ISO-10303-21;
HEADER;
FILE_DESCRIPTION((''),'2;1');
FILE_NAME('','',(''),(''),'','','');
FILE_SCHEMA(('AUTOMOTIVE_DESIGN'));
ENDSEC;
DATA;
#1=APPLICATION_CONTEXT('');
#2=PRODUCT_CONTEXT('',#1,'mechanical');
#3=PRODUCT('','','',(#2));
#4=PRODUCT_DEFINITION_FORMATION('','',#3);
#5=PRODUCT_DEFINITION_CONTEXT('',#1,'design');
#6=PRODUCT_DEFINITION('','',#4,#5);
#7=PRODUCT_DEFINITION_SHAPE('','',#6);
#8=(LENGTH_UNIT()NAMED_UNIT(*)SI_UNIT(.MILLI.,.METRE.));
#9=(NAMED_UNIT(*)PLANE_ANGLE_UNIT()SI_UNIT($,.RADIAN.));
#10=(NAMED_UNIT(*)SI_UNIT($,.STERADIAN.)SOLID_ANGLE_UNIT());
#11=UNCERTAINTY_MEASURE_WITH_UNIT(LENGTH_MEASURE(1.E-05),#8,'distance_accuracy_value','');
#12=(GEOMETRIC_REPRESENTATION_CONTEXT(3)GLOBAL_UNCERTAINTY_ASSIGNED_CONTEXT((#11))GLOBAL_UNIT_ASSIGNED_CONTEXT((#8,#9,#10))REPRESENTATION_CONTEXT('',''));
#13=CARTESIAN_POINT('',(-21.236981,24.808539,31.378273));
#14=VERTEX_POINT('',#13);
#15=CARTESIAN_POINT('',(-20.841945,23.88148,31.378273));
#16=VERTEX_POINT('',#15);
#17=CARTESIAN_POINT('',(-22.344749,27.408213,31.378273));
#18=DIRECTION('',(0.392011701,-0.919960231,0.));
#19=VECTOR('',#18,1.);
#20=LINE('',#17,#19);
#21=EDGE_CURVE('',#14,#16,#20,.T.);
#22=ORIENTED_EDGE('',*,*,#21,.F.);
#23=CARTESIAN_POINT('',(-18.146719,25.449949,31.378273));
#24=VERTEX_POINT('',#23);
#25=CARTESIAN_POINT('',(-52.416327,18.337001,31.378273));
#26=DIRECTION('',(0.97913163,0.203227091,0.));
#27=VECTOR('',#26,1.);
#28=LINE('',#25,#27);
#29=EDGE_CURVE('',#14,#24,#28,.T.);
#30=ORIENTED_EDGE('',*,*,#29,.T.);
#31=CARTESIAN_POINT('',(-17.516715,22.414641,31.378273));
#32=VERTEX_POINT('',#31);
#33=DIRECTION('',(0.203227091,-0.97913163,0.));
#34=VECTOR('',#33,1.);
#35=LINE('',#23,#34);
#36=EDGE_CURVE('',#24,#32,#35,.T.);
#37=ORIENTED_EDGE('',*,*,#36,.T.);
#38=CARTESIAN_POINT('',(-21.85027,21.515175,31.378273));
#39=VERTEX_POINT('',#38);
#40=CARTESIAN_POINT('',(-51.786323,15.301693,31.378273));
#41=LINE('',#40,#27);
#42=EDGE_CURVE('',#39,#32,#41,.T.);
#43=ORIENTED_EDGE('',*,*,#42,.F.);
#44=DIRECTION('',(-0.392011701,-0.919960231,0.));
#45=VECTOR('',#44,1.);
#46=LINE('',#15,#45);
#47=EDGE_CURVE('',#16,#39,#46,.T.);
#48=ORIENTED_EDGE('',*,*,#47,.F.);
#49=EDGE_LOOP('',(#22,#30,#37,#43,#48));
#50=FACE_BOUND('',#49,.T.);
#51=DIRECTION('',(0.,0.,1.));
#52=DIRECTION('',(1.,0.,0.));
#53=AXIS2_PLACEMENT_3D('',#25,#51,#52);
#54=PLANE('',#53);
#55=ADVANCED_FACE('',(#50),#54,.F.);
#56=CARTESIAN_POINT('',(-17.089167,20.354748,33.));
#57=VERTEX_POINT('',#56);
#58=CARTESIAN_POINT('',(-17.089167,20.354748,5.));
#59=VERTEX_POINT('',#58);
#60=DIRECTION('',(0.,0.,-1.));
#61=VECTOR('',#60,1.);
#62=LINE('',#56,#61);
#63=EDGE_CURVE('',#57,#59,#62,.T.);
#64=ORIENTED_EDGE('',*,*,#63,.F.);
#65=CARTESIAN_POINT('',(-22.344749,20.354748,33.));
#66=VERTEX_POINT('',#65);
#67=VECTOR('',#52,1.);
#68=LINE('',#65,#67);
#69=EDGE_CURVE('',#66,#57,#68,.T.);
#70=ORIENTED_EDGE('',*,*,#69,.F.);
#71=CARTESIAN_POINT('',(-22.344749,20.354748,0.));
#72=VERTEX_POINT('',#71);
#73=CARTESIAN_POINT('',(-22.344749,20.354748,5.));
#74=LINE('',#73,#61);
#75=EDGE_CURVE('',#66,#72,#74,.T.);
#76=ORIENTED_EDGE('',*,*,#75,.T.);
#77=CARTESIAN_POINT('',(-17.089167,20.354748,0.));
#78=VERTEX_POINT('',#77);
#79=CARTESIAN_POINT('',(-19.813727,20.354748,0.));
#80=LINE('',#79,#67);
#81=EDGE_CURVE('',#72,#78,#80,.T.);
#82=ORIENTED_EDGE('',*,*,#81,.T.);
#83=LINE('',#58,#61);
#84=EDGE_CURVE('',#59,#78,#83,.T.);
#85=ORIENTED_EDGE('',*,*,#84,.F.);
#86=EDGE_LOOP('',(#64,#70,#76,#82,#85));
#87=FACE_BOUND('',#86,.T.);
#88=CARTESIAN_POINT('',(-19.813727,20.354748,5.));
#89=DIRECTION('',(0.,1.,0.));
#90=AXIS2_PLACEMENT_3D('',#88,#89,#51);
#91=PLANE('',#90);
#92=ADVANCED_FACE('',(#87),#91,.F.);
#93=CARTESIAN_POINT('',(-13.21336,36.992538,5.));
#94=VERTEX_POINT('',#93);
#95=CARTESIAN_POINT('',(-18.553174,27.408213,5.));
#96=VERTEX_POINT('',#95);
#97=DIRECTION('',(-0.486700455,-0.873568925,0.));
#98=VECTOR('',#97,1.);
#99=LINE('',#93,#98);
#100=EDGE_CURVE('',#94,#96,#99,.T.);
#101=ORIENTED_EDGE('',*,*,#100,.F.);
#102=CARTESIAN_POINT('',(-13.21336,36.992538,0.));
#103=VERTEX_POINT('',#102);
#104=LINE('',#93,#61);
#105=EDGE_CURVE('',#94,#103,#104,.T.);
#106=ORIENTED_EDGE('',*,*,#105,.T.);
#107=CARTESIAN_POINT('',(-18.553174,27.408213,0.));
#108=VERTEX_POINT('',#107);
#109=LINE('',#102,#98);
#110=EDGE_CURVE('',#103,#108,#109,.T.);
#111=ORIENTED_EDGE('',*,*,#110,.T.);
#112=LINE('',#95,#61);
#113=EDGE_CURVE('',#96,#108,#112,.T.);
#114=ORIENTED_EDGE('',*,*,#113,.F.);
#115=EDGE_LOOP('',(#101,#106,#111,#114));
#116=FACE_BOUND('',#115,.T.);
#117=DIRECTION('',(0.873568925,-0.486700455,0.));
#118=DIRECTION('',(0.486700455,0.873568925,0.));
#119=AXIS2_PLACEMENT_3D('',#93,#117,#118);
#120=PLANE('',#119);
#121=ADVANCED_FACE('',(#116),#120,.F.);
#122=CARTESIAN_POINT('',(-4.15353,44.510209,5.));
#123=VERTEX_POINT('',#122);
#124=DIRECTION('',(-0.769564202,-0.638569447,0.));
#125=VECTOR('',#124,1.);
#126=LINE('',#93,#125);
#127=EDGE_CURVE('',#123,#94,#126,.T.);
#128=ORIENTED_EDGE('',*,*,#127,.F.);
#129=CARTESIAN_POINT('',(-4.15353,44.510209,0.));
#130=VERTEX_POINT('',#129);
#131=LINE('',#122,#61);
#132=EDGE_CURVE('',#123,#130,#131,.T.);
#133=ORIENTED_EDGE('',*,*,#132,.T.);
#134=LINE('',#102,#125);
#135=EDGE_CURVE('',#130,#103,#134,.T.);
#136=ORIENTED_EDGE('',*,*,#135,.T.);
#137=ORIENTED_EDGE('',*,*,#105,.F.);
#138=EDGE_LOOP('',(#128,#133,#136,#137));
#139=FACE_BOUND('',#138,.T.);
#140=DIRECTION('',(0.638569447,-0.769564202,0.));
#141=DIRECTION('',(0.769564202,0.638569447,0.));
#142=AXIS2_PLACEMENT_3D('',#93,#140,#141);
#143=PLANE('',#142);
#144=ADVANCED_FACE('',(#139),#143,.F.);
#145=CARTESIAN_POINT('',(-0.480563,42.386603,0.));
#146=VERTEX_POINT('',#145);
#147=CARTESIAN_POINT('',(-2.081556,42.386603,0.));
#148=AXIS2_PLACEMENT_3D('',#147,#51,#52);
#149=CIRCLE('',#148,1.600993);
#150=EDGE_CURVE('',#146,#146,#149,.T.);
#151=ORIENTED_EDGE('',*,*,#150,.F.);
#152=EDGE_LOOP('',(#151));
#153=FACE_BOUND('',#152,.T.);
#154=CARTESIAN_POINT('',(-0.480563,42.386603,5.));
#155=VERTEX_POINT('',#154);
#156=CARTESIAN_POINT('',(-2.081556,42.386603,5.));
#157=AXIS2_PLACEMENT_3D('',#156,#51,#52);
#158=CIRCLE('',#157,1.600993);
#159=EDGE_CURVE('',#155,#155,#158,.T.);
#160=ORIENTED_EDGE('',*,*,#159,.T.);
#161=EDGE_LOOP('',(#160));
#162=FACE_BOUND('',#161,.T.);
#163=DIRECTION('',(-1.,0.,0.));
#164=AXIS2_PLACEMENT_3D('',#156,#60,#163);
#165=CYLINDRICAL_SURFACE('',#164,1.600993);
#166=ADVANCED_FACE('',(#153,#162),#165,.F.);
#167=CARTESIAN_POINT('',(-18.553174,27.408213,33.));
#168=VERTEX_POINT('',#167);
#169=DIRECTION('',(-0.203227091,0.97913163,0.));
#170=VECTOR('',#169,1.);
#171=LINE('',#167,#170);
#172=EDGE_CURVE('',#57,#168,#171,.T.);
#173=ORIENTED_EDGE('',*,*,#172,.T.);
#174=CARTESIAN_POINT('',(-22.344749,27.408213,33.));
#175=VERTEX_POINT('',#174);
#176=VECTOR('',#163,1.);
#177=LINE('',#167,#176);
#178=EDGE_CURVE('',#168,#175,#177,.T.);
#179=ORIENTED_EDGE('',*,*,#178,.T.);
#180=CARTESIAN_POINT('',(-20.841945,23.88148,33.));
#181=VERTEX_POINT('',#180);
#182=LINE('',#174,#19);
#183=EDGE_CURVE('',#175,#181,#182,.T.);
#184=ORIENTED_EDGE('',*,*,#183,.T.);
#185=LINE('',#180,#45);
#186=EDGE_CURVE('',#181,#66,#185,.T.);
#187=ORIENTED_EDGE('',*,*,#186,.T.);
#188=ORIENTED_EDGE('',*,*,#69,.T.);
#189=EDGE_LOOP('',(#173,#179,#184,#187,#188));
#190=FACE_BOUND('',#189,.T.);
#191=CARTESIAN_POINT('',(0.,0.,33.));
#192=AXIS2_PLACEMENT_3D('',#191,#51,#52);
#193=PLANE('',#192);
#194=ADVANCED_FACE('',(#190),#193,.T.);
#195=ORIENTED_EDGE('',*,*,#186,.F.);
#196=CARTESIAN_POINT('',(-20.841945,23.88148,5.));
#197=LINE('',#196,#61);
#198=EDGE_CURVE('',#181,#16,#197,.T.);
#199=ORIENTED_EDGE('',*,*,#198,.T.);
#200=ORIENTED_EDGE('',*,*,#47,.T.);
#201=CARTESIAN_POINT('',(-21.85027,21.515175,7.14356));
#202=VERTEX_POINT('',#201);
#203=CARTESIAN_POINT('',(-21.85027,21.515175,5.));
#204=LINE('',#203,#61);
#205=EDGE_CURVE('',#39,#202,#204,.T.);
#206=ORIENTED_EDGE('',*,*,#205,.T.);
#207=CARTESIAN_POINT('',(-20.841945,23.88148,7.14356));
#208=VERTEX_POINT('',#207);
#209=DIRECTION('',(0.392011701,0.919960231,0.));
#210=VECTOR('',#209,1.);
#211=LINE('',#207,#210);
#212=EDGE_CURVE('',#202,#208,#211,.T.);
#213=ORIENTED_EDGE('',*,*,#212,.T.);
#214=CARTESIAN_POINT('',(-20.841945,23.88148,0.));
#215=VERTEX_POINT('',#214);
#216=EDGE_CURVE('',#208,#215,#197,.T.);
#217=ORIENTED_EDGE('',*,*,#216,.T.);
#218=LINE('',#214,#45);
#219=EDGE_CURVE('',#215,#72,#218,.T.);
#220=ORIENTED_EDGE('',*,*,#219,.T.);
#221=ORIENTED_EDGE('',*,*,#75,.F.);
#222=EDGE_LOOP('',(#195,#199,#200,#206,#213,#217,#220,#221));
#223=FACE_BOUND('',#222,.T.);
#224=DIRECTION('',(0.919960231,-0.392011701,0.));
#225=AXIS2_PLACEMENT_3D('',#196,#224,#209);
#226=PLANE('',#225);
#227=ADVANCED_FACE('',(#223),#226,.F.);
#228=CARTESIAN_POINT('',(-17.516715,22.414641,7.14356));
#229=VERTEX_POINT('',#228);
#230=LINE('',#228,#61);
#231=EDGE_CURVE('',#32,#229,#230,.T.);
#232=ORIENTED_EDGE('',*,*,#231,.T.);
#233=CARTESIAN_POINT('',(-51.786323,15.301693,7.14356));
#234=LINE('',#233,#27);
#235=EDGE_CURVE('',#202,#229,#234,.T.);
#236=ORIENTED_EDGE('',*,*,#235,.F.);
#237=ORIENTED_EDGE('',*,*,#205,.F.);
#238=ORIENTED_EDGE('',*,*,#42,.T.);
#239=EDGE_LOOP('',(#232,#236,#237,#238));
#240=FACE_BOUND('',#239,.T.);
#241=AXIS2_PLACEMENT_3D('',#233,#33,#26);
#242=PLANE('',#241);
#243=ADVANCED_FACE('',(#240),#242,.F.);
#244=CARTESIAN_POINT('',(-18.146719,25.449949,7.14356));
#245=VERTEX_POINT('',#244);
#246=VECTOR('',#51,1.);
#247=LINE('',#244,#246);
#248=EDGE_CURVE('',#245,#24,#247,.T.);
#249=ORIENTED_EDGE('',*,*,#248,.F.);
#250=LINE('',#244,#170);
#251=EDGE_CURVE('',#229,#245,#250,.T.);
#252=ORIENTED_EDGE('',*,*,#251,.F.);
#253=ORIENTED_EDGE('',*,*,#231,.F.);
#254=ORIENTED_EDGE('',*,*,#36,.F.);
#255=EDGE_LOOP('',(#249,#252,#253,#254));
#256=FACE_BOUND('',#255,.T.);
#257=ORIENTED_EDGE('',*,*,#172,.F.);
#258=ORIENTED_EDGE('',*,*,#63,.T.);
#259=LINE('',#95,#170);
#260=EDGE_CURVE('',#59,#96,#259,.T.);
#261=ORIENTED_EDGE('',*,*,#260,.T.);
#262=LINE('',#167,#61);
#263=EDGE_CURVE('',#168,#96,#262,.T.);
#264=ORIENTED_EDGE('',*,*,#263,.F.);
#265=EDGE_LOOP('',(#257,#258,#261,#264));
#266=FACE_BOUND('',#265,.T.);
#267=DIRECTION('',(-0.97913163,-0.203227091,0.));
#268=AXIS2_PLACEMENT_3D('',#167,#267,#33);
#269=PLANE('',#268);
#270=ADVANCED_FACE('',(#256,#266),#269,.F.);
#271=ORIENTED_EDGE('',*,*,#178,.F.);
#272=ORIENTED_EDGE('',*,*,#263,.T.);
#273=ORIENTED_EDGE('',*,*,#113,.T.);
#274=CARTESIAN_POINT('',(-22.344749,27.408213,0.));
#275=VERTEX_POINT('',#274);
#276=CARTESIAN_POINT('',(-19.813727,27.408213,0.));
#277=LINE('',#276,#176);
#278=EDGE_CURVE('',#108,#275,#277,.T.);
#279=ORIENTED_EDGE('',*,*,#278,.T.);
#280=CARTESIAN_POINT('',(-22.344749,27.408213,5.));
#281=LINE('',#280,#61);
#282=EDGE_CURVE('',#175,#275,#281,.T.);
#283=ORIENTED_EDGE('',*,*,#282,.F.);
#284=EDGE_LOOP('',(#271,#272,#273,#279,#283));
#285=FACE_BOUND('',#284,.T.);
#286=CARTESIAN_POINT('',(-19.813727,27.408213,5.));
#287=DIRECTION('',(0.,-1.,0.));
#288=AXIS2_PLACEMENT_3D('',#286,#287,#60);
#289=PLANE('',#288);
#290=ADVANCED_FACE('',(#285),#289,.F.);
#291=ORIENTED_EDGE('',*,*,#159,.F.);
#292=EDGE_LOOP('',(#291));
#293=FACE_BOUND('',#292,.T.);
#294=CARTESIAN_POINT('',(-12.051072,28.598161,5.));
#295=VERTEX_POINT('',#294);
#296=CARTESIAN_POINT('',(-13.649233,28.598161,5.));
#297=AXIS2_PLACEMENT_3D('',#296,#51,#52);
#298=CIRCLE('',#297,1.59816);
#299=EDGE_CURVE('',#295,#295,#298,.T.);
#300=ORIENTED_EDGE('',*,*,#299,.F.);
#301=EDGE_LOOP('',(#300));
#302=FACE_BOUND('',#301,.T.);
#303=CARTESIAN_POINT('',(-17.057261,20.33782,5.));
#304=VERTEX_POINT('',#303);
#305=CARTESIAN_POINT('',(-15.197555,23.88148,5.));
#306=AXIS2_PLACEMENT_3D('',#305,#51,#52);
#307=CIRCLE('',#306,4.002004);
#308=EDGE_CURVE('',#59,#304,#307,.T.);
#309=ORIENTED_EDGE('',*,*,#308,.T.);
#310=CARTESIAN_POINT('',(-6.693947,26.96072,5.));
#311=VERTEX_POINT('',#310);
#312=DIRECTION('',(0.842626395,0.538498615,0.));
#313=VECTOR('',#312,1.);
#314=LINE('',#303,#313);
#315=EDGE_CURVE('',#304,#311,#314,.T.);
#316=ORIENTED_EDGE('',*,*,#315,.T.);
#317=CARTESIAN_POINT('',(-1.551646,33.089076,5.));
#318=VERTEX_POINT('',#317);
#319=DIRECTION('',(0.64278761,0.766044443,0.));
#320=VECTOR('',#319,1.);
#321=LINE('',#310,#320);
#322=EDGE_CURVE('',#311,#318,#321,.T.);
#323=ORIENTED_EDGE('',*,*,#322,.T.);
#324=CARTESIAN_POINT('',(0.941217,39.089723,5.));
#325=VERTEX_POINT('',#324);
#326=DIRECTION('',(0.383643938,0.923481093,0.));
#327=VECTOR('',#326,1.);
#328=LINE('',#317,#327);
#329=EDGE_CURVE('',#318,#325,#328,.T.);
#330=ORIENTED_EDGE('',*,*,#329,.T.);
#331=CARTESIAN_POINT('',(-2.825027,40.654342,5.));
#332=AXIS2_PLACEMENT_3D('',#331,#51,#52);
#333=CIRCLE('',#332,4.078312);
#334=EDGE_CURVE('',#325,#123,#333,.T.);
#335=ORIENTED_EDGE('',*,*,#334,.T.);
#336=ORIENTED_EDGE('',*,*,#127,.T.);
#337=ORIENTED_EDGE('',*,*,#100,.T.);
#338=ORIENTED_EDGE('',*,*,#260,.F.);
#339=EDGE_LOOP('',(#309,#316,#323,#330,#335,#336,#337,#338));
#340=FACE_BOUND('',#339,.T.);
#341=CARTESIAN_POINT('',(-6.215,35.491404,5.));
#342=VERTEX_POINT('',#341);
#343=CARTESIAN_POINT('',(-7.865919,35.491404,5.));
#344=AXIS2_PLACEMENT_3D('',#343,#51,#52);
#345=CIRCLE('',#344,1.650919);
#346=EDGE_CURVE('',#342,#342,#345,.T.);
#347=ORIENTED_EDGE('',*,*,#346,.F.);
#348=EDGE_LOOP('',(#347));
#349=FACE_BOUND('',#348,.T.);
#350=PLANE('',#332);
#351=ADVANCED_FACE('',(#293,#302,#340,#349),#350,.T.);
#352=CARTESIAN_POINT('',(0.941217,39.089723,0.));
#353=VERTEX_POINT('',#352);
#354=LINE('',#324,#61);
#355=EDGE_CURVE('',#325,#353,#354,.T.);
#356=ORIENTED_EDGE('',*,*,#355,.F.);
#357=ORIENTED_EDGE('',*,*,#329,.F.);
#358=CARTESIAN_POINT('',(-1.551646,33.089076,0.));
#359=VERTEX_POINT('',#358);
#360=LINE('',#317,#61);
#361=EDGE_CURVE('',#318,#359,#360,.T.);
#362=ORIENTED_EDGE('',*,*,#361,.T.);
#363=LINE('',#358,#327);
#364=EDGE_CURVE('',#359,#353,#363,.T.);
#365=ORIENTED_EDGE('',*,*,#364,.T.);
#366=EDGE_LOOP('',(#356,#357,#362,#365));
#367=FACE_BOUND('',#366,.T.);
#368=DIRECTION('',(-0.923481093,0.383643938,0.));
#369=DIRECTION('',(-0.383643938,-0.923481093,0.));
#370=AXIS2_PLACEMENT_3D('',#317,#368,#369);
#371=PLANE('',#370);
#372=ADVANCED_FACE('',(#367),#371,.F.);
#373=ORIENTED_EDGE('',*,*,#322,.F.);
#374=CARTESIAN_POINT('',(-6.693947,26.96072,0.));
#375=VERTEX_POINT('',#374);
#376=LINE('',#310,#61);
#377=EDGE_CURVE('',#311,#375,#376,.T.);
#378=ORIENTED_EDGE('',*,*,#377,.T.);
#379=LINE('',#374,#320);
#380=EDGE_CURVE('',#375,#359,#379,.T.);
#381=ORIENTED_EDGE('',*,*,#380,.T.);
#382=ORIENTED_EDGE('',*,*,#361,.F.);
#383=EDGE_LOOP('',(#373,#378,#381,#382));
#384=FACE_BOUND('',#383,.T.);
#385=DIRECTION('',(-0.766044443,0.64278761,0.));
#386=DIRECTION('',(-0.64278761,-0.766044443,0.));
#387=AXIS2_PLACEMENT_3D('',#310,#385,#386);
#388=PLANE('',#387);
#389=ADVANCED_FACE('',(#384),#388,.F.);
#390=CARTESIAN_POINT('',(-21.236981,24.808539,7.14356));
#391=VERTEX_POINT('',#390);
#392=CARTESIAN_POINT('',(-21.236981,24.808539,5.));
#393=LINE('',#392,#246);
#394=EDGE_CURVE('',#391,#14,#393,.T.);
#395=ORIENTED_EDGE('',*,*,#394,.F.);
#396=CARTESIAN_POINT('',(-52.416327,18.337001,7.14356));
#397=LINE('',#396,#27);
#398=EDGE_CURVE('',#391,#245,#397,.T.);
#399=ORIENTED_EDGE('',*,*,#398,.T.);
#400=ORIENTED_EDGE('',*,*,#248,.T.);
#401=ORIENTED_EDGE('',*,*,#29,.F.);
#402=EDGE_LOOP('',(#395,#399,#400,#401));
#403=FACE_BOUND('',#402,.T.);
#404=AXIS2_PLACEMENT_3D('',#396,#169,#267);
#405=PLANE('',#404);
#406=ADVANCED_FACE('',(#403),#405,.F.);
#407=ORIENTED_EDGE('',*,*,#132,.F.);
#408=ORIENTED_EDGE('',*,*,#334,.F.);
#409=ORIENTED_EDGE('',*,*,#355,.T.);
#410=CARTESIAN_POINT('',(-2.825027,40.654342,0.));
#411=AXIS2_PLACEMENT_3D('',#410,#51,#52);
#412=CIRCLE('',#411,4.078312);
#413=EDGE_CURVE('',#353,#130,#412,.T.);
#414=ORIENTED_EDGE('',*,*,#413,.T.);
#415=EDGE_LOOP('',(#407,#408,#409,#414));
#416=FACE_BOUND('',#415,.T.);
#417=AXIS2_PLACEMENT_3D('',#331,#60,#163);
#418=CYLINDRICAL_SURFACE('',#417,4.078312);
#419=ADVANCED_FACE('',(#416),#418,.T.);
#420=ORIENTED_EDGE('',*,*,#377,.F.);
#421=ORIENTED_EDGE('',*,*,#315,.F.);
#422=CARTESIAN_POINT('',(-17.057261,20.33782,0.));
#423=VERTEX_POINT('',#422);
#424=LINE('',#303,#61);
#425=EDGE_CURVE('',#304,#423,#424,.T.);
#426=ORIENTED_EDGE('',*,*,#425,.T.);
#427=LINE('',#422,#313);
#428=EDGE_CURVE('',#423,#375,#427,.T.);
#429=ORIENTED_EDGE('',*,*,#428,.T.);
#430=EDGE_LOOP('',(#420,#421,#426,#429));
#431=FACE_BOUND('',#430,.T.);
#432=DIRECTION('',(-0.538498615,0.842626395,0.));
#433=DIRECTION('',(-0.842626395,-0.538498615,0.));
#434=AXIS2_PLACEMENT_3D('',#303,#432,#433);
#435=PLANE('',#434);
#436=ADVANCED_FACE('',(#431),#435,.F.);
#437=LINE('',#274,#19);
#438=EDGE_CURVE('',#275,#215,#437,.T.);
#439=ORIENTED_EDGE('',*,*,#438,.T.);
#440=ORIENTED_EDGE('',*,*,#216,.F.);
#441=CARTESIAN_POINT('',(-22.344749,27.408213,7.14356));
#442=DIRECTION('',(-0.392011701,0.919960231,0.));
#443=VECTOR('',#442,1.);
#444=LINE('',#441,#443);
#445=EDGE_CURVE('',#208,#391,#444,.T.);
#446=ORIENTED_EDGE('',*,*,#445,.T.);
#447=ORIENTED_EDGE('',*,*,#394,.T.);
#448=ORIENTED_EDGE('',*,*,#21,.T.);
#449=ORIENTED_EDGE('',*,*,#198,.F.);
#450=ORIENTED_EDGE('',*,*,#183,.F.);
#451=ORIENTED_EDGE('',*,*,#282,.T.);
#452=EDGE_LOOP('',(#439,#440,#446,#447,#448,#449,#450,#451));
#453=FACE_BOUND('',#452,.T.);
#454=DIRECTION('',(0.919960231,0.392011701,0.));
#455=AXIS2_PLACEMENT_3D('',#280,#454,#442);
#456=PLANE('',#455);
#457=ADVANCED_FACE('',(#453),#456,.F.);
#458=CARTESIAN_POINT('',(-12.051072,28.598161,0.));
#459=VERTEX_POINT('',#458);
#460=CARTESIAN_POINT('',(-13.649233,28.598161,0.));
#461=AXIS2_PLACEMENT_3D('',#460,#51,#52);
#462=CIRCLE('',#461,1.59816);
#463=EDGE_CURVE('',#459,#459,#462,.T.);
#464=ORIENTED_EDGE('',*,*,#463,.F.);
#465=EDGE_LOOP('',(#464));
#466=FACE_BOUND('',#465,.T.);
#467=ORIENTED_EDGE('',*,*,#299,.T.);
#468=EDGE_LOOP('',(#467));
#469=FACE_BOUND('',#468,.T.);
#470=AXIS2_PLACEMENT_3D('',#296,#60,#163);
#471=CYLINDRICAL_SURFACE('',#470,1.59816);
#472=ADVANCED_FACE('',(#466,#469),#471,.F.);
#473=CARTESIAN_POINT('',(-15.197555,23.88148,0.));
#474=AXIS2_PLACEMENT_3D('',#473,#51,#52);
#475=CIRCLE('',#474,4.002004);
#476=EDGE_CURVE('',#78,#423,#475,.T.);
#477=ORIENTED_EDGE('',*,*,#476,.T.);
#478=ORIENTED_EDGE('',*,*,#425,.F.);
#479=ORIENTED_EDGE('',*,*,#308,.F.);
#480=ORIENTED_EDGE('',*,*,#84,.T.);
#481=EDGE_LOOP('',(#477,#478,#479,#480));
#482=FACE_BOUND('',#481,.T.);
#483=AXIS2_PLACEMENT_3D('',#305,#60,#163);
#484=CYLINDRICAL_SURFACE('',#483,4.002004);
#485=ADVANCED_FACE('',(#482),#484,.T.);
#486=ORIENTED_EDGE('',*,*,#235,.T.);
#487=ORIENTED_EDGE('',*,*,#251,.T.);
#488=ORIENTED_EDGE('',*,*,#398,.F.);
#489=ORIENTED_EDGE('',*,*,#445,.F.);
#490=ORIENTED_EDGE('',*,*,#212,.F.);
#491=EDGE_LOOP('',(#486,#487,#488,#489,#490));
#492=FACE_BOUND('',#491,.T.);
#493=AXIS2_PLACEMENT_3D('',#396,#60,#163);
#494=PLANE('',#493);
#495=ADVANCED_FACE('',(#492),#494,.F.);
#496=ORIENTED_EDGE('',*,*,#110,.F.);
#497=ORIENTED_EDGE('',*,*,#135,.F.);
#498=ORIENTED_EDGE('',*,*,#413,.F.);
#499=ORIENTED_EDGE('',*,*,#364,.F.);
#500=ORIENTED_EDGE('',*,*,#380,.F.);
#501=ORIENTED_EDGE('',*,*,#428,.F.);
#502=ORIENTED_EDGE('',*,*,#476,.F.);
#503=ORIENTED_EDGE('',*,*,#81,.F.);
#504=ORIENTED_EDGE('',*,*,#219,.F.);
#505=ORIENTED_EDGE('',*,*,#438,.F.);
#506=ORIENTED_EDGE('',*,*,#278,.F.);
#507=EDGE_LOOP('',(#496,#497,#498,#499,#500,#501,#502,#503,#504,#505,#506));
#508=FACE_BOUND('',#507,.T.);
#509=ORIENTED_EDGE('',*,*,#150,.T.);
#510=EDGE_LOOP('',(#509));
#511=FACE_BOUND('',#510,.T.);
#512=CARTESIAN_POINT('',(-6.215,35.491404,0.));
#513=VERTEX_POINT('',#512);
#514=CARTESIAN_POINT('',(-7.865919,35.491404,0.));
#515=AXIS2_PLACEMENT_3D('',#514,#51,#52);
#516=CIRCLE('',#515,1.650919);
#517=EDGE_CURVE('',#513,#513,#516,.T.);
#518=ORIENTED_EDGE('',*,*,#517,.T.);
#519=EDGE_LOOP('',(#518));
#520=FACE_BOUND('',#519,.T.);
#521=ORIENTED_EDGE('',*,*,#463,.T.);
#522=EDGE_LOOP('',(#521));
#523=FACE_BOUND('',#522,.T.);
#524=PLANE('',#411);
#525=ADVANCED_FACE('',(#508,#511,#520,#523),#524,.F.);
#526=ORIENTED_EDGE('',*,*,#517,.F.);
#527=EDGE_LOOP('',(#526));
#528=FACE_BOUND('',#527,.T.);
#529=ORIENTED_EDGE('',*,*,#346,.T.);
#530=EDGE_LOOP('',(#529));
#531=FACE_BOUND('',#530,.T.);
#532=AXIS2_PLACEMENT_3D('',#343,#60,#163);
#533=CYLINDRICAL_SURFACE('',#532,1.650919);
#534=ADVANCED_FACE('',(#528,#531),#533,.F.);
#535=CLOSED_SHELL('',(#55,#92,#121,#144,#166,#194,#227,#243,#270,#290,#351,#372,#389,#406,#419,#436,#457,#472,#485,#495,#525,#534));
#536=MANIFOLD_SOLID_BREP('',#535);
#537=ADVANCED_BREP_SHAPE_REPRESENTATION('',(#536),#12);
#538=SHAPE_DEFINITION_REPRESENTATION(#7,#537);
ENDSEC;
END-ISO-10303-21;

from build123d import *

# Parameters (mm, degrees)
CROQUIS1_R              = 1.600993429
CROQUIS1_R_2            = 1.650918845
CROQUIS1_R_3            = 1.598160281
SALIENTE_EXTRUIR1_DEPTH = 5
SALIENTE_EXTRUIR2_DEPTH = 28
CROQUIS3_W              = 24.234712775
CROQUIS3_H              = 3.1
CORTAR_EXTRUIR2_DEPTH   = 35


with BuildPart() as part:
    # Croquis1 → Saliente-Extruir1 (new body)
    with BuildSketch(Plane.XY):
        with BuildLine():
            Line((-19.813726886, 27.408212729), (-22.344749079, 27.408212729))
            Line((-22.344749079, 27.408212729), (-20.84194462, 23.881480403))
            Line((-20.84194462, 23.881480403), (-22.344749079, 20.354748078))
            Line((-22.344749079, 20.354748078), (-19.813726886, 20.354748078))
            Line((-19.813726886, 20.354748078), (-17.089167092, 20.354748078))
            ThreePointArc((-17.089167092, 20.354748078), (-17.073233268, 20.346247985), (-17.05726125, 20.337819881))
            Line((-17.05726125, 20.337819881), (-6.693946802, 26.960720035))
            Line((-6.693946802, 26.960720035), (-1.55164568, 33.089075871))
            Line((-1.55164568, 33.089075871), (0.94121729, 39.089722795))
            ThreePointArc((0.94121729, 39.089722795), (0.14668389, 43.447470603), (-4.153529562, 44.510209303))
            Line((-4.153529562, 44.510209303), (-13.213359782, 36.992537931))
            Line((-13.213359782, 36.992537931), (-18.553173623, 27.408212729))
            Line((-18.553173623, 27.408212729), (-19.813726886, 27.408212729))
        make_face()
        with Locations((-2.081556076, 42.38660259)):
            Circle(CROQUIS1_R, mode=Mode.SUBTRACT)
        with Locations((-7.865918923, 35.491404278)):
            Circle(CROQUIS1_R_2, mode=Mode.SUBTRACT)
        with Locations((-13.649232709, 28.598160609)):
            Circle(CROQUIS1_R_3, mode=Mode.SUBTRACT)
    extrude(amount=SALIENTE_EXTRUIR1_DEPTH)

    # Croquis2 → Saliente-Extruir2 (add)
    with BuildSketch(Plane.XY.offset(5)):
        Polygon((-22.344749079, 20.354748078), (-17.089167092, 20.354748078), (-18.553173623, 27.408212729), (-22.344749079, 27.408212729), (-20.84194462, 23.881480403), align=None)
    extrude(amount=SALIENTE_EXTRUIR2_DEPTH)

    # Croquis3 → Cortar-Extruir2 (cut)
    with BuildSketch(Plane(origin=(-12.33305174, -2.559829698, 0), x_dir=(0, 0, -1), z_dir=(0.9791316303558096, 0.2032270908042881, 0))):
        with Locations((-19.260916646, 27.056755515)):
            Rectangle(CROQUIS3_W, CROQUIS3_H)
    extrude(amount=-CORTAR_EXTRUIR2_DEPTH, mode=Mode.SUBTRACT)


solid = part.part
